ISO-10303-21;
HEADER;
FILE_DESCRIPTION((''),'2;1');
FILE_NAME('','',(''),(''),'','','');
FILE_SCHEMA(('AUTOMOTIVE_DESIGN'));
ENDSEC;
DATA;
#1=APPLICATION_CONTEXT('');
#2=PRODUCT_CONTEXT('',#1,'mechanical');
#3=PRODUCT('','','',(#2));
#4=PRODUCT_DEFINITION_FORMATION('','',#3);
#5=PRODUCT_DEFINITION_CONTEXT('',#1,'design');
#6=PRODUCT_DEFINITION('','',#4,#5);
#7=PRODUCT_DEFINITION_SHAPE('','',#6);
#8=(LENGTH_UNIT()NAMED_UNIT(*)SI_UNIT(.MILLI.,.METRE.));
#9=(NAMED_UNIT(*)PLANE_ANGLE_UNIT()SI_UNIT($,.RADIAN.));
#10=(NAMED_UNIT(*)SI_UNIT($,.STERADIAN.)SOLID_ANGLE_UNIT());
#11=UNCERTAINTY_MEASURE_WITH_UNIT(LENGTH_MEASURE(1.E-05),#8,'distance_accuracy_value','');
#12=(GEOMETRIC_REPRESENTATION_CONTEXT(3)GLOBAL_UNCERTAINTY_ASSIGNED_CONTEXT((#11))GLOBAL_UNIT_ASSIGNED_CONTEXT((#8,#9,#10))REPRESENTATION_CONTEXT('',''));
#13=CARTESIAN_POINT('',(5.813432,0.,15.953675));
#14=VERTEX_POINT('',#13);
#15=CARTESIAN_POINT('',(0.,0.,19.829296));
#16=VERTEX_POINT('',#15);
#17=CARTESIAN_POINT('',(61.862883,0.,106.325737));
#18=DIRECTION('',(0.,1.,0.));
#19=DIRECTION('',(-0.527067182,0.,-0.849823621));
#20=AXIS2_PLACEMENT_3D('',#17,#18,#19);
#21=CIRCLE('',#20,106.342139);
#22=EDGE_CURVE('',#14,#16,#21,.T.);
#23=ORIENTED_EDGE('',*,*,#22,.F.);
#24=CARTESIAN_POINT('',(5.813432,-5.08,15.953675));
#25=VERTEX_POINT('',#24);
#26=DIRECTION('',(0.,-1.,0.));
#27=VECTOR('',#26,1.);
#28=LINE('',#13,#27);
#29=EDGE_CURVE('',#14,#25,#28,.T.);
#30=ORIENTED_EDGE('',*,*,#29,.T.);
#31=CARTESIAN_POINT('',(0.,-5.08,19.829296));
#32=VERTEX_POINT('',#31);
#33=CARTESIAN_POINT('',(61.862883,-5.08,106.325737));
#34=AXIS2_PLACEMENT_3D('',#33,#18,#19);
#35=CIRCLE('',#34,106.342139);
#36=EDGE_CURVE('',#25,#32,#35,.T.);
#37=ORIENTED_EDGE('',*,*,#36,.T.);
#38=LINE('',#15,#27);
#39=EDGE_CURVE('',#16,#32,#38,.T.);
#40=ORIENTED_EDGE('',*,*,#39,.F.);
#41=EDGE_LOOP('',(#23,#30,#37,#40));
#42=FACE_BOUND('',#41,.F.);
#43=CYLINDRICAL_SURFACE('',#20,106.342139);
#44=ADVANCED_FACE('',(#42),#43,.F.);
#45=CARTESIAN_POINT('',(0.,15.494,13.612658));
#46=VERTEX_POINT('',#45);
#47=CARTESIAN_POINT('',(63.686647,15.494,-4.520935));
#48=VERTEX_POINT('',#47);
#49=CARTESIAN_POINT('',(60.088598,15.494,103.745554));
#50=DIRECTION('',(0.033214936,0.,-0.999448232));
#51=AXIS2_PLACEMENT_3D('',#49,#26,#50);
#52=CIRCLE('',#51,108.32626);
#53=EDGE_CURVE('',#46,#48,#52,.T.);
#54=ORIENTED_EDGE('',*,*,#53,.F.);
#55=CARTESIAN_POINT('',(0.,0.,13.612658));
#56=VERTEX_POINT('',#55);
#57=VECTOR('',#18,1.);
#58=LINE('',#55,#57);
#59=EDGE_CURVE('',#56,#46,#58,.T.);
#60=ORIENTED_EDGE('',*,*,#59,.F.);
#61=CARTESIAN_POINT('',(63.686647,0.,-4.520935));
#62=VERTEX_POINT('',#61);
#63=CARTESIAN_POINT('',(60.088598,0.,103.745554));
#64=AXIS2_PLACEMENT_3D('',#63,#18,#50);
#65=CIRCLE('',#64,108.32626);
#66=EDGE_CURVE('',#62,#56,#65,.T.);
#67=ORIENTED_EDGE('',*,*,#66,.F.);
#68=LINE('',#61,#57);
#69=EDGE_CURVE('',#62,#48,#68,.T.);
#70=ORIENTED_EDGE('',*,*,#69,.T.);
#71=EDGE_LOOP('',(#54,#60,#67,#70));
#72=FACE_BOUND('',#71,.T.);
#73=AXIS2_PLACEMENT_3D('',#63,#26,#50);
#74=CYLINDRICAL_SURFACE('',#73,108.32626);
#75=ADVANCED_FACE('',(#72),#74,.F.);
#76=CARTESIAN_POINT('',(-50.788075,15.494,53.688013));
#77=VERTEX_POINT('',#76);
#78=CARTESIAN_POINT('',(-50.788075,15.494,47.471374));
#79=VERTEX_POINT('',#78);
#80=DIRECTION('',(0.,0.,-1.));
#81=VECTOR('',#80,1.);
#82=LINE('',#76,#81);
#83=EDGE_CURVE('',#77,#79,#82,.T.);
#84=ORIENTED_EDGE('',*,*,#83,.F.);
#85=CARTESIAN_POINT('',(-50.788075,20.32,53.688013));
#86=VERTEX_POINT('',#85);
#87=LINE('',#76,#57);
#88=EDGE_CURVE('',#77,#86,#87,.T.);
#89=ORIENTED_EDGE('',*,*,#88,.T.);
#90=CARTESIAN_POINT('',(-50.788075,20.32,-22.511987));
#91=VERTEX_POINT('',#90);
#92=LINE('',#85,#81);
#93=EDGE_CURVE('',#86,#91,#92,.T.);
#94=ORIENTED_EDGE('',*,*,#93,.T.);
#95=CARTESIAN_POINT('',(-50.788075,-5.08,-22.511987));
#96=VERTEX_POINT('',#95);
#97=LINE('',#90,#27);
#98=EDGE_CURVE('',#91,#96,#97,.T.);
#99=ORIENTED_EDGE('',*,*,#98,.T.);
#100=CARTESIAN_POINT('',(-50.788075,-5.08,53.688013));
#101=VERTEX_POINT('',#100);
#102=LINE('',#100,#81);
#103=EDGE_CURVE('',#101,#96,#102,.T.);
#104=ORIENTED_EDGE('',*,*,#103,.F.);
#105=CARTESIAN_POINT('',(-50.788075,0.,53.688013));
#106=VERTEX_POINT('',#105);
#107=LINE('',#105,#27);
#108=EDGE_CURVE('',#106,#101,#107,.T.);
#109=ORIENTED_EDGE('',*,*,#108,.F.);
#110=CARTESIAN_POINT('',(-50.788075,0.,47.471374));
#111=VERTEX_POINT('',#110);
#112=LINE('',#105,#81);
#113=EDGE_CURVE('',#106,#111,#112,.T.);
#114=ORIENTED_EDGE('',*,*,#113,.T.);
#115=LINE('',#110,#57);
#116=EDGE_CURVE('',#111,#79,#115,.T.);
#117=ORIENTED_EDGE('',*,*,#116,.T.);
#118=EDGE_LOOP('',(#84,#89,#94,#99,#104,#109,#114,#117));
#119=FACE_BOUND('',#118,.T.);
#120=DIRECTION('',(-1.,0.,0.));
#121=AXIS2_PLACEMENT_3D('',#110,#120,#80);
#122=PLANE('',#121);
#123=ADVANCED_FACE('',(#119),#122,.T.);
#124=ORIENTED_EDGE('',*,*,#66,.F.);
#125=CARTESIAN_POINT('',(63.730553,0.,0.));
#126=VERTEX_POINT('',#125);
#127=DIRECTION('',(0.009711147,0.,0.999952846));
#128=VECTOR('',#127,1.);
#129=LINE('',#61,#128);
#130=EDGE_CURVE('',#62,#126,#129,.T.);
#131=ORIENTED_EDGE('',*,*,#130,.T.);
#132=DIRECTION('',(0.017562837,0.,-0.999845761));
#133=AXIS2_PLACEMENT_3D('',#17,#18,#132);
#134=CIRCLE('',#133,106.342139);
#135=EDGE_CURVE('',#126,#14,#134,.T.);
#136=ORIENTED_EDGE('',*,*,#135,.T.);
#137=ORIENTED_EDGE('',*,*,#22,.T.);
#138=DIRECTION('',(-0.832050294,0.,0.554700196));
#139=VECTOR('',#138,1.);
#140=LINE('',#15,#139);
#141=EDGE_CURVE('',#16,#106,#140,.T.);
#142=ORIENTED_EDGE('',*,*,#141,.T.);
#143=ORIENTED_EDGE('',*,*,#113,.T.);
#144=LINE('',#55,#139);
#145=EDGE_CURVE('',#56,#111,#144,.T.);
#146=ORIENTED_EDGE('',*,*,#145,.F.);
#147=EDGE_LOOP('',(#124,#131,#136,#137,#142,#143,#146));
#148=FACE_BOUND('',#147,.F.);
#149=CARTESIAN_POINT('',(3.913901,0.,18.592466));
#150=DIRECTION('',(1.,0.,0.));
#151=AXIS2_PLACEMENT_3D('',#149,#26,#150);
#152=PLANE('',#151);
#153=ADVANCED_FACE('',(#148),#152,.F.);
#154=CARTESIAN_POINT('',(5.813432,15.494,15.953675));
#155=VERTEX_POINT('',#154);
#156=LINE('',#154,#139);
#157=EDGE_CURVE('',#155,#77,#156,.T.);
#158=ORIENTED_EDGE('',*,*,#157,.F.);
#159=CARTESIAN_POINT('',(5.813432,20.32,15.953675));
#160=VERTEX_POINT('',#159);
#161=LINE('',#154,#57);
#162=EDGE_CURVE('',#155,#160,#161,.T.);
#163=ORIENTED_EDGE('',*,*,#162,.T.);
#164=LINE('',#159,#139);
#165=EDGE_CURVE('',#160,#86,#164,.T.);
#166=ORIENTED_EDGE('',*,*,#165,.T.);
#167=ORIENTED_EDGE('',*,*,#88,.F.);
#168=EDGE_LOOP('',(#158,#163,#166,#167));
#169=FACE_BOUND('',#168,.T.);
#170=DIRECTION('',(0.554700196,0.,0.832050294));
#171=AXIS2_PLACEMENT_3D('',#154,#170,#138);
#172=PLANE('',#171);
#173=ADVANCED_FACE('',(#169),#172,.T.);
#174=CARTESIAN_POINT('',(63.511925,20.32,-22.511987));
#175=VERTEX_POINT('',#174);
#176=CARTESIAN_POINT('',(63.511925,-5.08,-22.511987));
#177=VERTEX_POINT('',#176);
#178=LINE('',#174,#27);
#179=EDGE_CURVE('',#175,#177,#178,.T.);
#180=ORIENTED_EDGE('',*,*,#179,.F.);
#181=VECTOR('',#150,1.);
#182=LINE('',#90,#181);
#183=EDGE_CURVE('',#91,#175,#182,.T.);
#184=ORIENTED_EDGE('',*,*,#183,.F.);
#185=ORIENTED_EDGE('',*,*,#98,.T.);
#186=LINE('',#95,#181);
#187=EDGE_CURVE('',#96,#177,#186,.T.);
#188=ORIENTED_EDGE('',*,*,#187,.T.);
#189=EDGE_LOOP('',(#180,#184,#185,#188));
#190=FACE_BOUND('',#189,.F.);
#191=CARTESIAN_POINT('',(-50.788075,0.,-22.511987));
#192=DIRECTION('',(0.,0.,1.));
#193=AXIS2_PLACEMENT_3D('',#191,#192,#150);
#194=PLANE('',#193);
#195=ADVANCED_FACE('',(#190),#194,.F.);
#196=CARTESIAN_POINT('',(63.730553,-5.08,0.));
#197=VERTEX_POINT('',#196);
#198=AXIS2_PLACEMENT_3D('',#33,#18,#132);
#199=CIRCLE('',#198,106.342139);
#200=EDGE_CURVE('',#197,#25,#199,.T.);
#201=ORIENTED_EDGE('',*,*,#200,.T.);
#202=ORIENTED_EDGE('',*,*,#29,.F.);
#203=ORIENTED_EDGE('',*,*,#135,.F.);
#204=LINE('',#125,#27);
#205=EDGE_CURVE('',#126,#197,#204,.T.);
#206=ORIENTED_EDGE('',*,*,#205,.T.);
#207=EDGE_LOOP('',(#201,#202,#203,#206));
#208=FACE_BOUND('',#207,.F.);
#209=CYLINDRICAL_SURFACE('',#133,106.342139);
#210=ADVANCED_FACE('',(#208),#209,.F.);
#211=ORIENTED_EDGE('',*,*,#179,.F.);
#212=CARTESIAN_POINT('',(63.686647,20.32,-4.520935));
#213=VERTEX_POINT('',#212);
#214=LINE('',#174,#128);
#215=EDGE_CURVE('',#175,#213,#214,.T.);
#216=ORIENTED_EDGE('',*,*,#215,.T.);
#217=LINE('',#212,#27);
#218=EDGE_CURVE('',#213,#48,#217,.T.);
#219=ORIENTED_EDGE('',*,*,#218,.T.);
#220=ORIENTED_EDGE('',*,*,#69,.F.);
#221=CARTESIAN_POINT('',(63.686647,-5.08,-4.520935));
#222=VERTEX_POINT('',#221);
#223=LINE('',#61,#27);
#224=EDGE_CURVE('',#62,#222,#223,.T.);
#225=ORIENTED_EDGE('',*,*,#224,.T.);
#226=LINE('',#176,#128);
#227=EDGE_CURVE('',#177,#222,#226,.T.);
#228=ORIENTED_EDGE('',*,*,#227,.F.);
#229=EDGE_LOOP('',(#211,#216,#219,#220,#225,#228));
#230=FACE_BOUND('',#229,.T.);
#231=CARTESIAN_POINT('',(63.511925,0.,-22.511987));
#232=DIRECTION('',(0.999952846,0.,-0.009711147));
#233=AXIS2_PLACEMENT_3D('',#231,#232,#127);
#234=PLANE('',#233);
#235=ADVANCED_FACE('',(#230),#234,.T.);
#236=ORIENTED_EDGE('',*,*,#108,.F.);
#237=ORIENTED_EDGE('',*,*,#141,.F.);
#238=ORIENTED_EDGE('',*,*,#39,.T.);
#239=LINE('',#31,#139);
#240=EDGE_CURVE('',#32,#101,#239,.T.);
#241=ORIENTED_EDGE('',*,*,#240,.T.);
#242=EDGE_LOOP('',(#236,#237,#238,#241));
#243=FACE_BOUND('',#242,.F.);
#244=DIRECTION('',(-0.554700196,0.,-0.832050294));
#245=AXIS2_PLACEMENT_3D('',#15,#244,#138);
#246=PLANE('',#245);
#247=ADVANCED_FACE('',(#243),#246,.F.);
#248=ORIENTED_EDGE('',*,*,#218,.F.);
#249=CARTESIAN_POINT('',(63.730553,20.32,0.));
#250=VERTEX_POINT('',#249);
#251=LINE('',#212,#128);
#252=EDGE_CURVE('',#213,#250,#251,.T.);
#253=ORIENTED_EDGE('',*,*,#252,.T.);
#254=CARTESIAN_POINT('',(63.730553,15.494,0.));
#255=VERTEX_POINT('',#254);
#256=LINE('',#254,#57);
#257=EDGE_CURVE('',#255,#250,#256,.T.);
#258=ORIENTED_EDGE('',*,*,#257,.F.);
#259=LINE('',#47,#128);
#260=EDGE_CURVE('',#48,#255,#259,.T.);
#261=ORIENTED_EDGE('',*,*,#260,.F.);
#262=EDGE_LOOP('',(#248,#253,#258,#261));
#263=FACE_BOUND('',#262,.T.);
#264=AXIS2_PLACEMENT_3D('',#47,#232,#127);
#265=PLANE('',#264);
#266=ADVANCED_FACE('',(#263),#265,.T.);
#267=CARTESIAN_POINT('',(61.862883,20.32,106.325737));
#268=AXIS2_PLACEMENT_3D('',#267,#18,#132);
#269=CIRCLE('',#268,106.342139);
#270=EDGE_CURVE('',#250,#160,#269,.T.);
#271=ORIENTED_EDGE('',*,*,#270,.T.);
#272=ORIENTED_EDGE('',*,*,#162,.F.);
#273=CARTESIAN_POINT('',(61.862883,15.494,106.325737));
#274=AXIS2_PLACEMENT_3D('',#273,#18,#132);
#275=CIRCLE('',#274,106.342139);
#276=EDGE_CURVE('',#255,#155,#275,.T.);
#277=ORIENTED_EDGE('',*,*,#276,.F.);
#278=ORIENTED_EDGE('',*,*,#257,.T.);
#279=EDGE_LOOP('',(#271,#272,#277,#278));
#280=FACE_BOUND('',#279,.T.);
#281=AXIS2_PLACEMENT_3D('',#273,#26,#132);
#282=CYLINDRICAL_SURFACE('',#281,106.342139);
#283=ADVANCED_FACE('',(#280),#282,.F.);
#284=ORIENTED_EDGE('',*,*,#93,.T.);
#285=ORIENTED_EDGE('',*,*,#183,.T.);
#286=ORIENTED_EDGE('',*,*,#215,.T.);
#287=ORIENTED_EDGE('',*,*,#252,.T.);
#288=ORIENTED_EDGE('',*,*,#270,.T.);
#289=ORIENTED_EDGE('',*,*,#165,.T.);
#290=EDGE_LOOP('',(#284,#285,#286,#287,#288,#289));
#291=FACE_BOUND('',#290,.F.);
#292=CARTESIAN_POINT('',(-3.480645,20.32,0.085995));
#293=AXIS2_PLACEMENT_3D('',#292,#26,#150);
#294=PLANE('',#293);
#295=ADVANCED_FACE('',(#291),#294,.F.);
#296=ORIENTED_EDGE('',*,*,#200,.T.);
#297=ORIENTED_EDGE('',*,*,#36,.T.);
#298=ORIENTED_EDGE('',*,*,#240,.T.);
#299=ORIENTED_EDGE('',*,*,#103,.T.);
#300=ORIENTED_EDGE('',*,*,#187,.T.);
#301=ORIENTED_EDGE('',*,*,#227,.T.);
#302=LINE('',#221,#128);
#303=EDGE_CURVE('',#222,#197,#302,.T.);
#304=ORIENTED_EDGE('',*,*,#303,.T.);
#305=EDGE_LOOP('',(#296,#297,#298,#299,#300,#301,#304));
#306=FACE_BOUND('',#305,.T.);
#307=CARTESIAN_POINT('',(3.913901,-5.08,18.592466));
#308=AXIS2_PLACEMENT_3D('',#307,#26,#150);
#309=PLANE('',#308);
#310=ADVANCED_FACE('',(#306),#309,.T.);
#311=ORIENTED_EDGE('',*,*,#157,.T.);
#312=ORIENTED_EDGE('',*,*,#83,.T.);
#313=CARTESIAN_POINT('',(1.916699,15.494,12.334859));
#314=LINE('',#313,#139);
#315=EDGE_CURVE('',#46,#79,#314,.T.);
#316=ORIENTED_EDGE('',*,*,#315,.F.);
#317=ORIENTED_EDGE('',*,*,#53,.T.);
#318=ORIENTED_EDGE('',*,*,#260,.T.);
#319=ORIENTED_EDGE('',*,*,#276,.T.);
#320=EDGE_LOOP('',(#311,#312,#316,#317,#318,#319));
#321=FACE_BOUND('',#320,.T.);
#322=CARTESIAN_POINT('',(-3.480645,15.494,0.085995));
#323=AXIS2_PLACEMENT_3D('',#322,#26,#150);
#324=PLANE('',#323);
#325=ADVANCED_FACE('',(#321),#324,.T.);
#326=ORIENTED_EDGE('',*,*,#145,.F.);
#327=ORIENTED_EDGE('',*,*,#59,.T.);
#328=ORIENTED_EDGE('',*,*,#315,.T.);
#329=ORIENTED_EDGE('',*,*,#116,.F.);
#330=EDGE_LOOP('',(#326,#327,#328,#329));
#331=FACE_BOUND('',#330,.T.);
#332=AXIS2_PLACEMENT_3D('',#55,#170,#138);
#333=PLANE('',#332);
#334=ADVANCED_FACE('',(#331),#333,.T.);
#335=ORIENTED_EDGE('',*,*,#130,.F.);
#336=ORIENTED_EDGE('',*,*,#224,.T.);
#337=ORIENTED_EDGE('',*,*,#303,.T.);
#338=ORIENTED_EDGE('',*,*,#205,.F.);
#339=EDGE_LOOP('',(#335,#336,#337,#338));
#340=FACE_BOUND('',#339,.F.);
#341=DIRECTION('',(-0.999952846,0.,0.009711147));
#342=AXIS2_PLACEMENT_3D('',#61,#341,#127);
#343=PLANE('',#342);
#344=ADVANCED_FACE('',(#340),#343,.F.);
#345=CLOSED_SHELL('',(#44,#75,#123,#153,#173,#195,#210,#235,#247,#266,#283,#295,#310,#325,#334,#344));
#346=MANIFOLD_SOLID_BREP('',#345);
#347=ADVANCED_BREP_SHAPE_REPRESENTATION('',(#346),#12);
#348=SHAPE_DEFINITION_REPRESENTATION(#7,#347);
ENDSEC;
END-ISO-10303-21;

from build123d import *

# Parameters (mm, degrees)
F1_DEPTH      = 5.08
F2_START      = -15.494
F2_DEPTH      = 4.826
F3_DEPTH      = 15.748
F3_DEPTH_BACK = 1.016


with BuildPart() as f1:
    # F0 (on Front) → F1 (new body)
    with BuildSketch(Plane.XZ):
        with BuildLine():
            Line((-50.7880747318, 53.6880129844), (-50.7880747318, 47.4713742733))
            Line((-50.7880747318, 47.4713742733), (0, 13.6126577854))
            ThreePointArc((0, 13.6126577854), (30.4237649591, -0.4397436147), (63.6866472612, -4.5209346608))
            Line((63.6866472612, -4.5209346608), (63.7305527925, 0))
            ThreePointArc((63.7305527925, 0), (33.6220207616, 3.8020605731), (5.8134317271, 15.9536753451))
            ThreePointArc((5.8134317271, 15.9536753451), (2.8748778359, 17.8437288794), (0, 19.8292964965))
            Line((0, 19.8292964965), (-50.7880747318, 53.6880129844))
        make_face()
        with BuildLine():
            Line((-50.7880747318, 47.4713742733), (-50.7880747318, -22.5119870156))
            Line((-50.7880747318, -22.5119870156), (63.5119252682, -22.5119870156))
            Line((63.5119252682, -22.5119870156), (63.6866472612, -4.5209346608))
            ThreePointArc((63.6866472612, -4.5209346608), (30.4237649591, -0.4397436147), (0, 13.6126577854))
            Line((0, 13.6126577854), (-50.7880747318, 47.4713742733))
        make_face()
    extrude(amount=F1_DEPTH)



with BuildPart() as f2:
    # F0 (on Front) → F2 (new body)
    with BuildSketch(Plane.XZ.offset(F2_START)):
        with BuildLine():
            Line((-50.7880747318, 47.4713742733), (-50.7880747318, -22.5119870156))
            Line((-50.7880747318, -22.5119870156), (63.5119252682, -22.5119870156))
            Line((63.5119252682, -22.5119870156), (63.6866472612, -4.5209346608))
            ThreePointArc((63.6866472612, -4.5209346608), (30.4237649591, -0.4397436147), (0, 13.6126577854))
            Line((0, 13.6126577854), (-50.7880747318, 47.4713742733))
        make_face()
        with BuildLine():
            Line((-50.7880747318, 53.6880129844), (-50.7880747318, 47.4713742733))
            Line((-50.7880747318, 47.4713742733), (0, 13.6126577854))
            ThreePointArc((0, 13.6126577854), (30.4237649591, -0.4397436147), (63.6866472612, -4.5209346608))
            Line((63.6866472612, -4.5209346608), (63.7305527925, 0))
            ThreePointArc((63.7305527925, 0), (33.6220207616, 3.8020605731), (5.8134317271, 15.9536753451))
            ThreePointArc((5.8134317271, 15.9536753451), (2.8748778359, 17.8437288794), (0, 19.8292964965))
            Line((0, 19.8292964965), (-50.7880747318, 53.6880129844))
        make_face()
        with BuildLine():
            Line((5.8134317271, 15.9536753451), (0, 19.8292964965))
            ThreePointArc((0, 19.8292964965), (2.8748778359, 17.8437288794), (5.8134317271, 15.9536753451))
        make_face()
    extrude(amount=-F2_DEPTH)


with BuildPart() as f1_1:
    add(f1.part)

    add(f2.part)  # F3 merges F2
    # F0 (on Front) → F3 (join, two sides)
    with BuildSketch(Plane.XZ) as f3_sk:
        with BuildLine():
            Line((-50.7880747318, 47.4713742733), (-50.7880747318, -22.5119870156))
            Line((-50.7880747318, -22.5119870156), (63.5119252682, -22.5119870156))
            Line((63.5119252682, -22.5119870156), (63.6866472612, -4.5209346608))
            ThreePointArc((63.6866472612, -4.5209346608), (30.4237649591, -0.4397436147), (0, 13.6126577854))
            Line((0, 13.6126577854), (-50.7880747318, 47.4713742733))
        make_face()
    extrude(amount=-F3_DEPTH)
    extrude(f3_sk.sketch, amount=F3_DEPTH_BACK)


solid = f1_1.part
